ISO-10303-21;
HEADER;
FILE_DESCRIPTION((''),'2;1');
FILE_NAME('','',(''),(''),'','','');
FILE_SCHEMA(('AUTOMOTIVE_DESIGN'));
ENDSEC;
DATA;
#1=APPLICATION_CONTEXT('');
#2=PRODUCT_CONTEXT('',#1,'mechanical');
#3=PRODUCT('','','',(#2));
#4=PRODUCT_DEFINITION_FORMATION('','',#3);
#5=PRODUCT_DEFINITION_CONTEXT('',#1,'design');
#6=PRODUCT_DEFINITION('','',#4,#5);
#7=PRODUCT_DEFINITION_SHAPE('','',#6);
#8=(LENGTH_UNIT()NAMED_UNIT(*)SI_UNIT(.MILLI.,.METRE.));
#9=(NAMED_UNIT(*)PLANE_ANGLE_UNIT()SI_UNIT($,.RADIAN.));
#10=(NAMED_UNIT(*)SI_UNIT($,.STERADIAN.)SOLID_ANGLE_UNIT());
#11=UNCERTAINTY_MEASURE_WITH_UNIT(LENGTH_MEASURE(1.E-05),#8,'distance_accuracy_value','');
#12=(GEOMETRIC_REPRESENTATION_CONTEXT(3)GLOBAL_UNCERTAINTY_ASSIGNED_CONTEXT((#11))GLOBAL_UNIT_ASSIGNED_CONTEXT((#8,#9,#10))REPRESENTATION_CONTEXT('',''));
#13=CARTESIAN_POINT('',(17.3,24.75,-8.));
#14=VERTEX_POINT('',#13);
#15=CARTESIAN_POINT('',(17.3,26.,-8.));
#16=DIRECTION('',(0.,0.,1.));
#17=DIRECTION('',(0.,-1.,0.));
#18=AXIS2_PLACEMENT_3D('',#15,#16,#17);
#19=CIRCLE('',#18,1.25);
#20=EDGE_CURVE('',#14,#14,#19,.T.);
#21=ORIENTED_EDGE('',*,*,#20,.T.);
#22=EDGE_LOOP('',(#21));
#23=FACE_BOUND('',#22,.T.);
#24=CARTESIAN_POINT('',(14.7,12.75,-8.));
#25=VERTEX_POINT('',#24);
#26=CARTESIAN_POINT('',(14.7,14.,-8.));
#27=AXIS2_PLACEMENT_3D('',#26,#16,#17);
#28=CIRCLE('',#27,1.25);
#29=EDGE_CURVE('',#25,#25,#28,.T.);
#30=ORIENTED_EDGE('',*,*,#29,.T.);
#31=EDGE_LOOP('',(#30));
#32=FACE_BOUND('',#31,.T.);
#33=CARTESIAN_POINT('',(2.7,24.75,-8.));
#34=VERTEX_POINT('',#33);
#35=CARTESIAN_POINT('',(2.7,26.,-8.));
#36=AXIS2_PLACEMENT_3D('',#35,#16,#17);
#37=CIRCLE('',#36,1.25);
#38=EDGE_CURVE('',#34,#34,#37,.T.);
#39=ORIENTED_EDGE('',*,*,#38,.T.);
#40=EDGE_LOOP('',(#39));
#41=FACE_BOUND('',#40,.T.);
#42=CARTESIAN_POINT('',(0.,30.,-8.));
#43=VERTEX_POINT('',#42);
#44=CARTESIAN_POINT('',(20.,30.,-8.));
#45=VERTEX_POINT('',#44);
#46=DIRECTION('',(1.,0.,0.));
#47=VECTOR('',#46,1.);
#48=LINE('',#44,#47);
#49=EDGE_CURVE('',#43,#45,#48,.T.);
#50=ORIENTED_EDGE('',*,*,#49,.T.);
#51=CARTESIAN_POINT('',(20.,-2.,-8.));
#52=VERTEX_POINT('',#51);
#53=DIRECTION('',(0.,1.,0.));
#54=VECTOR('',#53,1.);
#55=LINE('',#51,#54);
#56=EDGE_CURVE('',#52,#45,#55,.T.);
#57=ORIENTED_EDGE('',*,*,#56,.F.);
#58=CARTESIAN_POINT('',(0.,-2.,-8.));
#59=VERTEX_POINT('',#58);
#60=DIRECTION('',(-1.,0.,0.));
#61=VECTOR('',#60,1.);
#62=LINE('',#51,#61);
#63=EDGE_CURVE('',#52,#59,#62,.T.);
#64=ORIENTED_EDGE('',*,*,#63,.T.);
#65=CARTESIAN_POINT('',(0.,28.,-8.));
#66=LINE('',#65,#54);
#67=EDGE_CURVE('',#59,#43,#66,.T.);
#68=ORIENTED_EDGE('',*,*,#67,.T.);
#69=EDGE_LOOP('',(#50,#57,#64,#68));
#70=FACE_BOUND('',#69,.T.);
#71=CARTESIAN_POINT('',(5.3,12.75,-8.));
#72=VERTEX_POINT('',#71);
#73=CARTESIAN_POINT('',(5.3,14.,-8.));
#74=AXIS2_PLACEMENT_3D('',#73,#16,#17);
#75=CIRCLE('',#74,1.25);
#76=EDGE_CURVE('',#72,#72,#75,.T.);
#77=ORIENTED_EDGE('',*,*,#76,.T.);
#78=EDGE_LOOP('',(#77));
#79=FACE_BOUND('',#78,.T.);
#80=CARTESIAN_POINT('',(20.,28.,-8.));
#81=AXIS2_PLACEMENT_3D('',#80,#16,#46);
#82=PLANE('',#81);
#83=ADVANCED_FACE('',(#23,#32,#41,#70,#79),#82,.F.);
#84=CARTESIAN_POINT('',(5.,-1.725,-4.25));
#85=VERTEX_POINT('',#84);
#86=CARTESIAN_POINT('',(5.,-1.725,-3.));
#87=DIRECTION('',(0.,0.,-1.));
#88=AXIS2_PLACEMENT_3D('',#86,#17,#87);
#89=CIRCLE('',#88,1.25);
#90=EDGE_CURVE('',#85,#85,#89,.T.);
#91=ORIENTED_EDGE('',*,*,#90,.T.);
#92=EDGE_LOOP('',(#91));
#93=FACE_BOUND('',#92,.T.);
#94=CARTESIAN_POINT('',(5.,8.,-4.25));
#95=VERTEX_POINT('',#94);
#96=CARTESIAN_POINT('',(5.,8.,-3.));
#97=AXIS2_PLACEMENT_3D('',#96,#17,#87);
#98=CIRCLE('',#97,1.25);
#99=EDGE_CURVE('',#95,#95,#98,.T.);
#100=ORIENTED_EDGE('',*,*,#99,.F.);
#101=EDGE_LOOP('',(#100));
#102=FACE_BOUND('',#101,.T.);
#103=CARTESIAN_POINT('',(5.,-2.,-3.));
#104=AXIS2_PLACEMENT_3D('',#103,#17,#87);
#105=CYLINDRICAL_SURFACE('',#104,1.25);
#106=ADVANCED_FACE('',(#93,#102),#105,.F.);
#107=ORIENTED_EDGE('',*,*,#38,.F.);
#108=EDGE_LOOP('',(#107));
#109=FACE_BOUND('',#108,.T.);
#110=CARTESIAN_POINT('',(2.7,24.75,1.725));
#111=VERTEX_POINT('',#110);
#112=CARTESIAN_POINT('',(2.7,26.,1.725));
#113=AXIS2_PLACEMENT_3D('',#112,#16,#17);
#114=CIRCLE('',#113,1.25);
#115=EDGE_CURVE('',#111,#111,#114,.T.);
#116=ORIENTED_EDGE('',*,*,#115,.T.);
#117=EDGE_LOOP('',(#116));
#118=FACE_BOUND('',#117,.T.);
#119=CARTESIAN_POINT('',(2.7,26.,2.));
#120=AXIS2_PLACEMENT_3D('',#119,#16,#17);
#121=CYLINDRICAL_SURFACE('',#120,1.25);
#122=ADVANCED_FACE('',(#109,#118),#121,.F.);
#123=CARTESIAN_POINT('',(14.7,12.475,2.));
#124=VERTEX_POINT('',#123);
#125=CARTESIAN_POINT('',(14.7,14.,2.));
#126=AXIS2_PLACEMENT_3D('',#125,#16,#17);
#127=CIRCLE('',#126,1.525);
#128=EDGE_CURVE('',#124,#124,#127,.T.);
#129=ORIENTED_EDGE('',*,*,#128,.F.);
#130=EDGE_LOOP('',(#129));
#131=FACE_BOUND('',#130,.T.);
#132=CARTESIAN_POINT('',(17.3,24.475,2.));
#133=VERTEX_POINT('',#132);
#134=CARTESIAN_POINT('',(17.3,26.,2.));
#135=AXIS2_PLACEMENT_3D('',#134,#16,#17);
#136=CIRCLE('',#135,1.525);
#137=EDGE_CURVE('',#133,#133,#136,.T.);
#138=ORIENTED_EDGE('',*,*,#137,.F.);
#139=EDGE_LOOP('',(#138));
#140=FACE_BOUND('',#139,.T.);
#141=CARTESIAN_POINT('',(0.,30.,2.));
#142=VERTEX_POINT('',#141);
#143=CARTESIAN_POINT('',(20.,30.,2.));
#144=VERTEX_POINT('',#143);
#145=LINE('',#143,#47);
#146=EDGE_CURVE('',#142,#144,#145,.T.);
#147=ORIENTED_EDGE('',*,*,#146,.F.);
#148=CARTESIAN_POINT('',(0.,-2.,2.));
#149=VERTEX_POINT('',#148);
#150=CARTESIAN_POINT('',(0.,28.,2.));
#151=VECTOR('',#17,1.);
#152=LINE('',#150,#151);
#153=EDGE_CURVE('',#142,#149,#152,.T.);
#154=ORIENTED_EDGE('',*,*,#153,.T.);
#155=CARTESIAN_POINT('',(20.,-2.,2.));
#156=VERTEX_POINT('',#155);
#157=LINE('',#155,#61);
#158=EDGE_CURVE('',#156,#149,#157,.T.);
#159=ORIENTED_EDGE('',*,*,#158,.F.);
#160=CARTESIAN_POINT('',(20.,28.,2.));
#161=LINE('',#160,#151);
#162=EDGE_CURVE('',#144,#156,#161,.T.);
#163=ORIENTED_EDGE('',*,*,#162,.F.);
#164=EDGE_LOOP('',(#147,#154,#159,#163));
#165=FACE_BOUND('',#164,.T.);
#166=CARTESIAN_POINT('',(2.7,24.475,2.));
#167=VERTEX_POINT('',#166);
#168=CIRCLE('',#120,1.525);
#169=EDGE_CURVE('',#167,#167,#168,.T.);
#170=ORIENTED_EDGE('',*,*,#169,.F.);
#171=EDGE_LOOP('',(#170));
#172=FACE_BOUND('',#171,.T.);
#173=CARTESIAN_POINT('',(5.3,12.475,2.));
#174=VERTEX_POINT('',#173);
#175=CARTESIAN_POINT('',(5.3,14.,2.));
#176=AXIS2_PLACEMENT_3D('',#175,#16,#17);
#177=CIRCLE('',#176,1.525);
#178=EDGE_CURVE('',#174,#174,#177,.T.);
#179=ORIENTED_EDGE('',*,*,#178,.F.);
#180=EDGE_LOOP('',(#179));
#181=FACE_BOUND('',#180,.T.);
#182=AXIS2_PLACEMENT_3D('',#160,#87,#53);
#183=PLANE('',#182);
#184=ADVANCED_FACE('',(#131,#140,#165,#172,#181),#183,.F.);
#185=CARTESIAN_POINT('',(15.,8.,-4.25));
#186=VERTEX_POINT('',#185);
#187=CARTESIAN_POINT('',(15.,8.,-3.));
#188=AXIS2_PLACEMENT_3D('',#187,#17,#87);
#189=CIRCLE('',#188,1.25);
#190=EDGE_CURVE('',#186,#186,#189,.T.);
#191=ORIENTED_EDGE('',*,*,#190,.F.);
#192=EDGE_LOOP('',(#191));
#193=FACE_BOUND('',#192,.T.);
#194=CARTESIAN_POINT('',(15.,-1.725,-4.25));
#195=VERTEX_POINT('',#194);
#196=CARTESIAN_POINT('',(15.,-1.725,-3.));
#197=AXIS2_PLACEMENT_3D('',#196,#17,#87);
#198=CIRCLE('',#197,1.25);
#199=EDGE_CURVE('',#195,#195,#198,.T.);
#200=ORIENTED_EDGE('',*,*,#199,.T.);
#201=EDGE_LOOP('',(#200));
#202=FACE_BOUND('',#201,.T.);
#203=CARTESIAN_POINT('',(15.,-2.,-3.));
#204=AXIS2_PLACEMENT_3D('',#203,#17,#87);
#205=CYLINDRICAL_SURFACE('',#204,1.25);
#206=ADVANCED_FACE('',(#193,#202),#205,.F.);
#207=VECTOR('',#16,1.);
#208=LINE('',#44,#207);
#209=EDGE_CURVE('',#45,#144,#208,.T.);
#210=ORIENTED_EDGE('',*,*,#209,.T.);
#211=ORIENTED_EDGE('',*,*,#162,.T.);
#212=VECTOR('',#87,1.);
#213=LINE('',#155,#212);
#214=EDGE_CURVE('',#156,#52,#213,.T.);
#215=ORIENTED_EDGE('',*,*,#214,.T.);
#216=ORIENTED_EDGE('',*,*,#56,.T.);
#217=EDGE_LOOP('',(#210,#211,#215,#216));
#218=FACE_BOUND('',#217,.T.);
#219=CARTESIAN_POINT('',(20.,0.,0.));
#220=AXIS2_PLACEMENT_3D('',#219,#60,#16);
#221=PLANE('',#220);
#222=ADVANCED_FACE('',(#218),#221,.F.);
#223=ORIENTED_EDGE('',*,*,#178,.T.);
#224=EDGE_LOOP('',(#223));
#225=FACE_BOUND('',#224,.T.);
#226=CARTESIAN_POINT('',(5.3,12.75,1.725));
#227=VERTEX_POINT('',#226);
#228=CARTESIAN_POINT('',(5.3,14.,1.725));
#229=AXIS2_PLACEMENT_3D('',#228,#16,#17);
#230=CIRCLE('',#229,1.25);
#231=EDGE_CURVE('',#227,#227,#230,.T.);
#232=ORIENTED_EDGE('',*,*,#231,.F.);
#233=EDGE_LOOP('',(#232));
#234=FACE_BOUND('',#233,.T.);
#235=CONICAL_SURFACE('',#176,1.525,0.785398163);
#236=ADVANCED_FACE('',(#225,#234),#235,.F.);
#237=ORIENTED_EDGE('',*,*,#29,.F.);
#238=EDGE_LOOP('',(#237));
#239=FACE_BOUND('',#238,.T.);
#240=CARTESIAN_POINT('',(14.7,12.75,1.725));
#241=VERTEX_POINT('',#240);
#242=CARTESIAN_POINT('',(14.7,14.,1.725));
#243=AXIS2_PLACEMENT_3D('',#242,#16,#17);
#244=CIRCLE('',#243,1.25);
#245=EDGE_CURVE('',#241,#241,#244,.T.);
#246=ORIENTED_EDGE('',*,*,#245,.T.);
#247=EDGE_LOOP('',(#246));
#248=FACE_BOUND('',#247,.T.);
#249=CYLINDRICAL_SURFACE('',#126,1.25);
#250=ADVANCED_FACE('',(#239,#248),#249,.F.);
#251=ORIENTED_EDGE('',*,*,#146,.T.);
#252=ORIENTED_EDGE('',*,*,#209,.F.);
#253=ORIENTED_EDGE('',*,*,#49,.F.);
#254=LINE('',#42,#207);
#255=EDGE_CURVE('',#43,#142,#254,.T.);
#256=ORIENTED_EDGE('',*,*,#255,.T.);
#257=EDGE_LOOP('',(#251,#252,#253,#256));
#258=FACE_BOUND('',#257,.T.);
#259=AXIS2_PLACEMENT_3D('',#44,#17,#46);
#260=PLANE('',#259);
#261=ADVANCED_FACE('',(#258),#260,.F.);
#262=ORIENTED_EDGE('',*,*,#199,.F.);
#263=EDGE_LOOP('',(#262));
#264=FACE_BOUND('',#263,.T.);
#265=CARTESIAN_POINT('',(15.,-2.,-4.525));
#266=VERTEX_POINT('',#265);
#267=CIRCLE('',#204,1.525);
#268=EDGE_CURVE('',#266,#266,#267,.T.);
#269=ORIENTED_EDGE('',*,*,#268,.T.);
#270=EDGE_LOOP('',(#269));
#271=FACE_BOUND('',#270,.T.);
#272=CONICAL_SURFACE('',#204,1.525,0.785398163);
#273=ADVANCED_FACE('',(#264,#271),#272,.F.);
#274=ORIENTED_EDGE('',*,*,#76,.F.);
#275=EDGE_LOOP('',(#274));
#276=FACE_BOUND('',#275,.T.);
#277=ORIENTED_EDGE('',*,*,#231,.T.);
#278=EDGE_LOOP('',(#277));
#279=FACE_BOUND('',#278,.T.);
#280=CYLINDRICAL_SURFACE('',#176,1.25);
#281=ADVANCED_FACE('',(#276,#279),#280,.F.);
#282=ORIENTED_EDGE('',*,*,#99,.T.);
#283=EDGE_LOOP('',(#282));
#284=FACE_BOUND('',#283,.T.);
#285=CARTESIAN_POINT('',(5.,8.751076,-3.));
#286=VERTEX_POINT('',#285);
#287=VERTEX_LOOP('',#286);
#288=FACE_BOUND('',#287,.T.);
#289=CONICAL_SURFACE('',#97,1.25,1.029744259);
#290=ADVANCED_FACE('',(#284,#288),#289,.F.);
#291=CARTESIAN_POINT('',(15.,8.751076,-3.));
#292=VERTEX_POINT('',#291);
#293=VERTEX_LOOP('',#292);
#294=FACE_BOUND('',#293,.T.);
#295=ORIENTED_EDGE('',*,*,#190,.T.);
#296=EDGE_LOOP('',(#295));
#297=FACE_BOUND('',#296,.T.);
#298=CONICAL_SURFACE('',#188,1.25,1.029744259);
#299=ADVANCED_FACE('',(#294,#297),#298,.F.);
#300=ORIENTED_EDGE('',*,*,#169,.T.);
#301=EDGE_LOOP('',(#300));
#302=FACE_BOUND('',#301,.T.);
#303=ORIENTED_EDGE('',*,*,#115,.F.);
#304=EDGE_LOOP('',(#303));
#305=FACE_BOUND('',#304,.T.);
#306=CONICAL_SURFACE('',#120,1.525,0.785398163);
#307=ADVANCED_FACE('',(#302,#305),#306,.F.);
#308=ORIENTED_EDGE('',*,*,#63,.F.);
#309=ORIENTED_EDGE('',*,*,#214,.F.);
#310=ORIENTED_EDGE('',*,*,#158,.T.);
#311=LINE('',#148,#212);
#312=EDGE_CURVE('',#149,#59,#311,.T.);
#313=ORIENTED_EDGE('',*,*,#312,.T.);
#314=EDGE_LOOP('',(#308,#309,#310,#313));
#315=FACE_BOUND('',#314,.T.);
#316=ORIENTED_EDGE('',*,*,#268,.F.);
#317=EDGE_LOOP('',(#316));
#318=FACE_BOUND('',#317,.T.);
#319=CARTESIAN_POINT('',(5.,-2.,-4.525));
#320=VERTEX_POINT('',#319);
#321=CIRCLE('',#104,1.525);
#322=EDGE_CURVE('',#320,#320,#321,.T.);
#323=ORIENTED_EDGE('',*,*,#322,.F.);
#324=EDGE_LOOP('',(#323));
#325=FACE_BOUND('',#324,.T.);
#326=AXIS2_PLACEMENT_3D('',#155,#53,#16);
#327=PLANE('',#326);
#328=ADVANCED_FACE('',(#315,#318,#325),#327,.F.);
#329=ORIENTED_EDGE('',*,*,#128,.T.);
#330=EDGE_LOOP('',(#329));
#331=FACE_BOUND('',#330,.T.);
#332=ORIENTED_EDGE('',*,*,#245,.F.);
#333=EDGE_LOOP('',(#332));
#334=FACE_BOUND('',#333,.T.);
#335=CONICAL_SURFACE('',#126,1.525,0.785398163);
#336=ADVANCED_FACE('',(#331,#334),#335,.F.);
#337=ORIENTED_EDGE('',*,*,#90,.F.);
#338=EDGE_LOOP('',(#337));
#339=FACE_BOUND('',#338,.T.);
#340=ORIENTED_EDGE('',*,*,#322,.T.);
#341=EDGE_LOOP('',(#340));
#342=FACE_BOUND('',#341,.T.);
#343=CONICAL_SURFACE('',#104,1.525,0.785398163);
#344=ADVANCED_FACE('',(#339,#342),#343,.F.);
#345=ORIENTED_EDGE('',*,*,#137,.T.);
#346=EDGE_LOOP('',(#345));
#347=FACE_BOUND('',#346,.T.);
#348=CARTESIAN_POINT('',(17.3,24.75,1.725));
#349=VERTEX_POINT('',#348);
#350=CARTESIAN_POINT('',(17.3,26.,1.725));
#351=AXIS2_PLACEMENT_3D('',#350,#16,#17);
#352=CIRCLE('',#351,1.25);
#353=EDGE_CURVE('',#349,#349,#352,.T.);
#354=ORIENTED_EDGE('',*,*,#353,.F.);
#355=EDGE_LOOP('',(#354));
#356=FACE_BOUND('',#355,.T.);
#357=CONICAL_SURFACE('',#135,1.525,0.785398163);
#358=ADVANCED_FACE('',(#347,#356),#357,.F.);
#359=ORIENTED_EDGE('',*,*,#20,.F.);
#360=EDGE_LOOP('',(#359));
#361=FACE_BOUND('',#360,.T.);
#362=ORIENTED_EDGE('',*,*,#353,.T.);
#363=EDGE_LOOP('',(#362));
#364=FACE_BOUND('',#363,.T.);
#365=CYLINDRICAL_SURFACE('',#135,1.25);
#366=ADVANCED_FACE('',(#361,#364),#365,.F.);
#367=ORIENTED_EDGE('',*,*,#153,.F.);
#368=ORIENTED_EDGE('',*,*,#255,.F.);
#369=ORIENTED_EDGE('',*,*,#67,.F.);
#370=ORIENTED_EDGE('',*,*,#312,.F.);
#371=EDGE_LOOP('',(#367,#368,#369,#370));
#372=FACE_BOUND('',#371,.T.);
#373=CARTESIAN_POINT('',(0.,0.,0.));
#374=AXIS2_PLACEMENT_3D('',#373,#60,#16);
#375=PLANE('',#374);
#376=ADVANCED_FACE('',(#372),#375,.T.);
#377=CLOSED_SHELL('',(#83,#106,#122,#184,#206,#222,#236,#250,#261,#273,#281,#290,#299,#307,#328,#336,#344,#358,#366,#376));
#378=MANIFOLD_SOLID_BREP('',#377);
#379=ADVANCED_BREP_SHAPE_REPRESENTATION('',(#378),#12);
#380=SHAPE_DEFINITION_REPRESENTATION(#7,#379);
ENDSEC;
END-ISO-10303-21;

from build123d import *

# Parameters (mm, degrees)
EXTRUDE_1_DEPTH              = 20
HOLE_WIZARD_M3_1_D           = 2.5
HOLE_WIZARD_M3_1_DEPTH       = 10
HOLE_WIZARD_M3_1_CSINK_D     = 3.05
HOLE_WIZARD_M3_1_CSINK_ANGLE = 90
HOLE_WIZARD_M3_1_TIP         = 0.751075774
HOLE_WIZARD_M3_2_D           = 2.5
HOLE_WIZARD_M3_2_CSINK_D     = 3.05
HOLE_WIZARD_M3_2_CSINK_ANGLE = 90
HOLE_WIZARD_M3_4_D           = 2.5
HOLE_WIZARD_M3_4_CSINK_D     = 3.05
HOLE_WIZARD_M3_4_CSINK_ANGLE = 90
SKETCH_9_W                   = 20
SKETCH_9_H                   = 3.237584756
EXTRUDE_2_DEPTH              = 2
SKETCH_12_W                  = 20
SKETCH_12_H                  = 11.028073375
CUT_EXTRUDE_1_DEPTH          = 39.223029707
SKETCH_13_W                  = 20
SKETCH_13_H                  = 8
EXTRUDE_3_DEPTH              = 2


with BuildPart() as part:
    # 草图1 → 凸台-拉伸1 (new body)
    with BuildSketch(Plane(origin=(0, 0, 0), x_dir=(0, 0, -1), z_dir=(1, 0, 0))):
        Polygon((0, 28), (-2, 28), (-2, -2), (8, -2), (8, 0), (8, 28), align=None)
    extrude(amount=EXTRUDE_1_DEPTH)

    # M3 螺纹孔1
    with Locations(Plane(origin=(5, -2, -3), x_dir=(0, 0, -1), z_dir=(0, -1, 0))):
        with Locations((0, 0), (0, 10)):
            CounterSinkHole(HOLE_WIZARD_M3_1_D / 2, HOLE_WIZARD_M3_1_CSINK_D / 2, depth=HOLE_WIZARD_M3_1_DEPTH, counter_sink_angle=HOLE_WIZARD_M3_1_CSINK_ANGLE)
            with Locations((0, 0, -(HOLE_WIZARD_M3_1_DEPTH + HOLE_WIZARD_M3_1_TIP / 2))):  # 118° drill point
                Cone(0, HOLE_WIZARD_M3_1_D / 2, HOLE_WIZARD_M3_1_TIP, mode=Mode.SUBTRACT)

    # M3 螺纹孔2 (through all)
    with Locations(Plane(origin=(14.7, 14, 2), x_dir=(0, 1, 0), z_dir=(0, 0, 1))):
        with Locations((0, 0), (12, 12)):
            CounterSinkHole(HOLE_WIZARD_M3_2_D / 2, HOLE_WIZARD_M3_2_CSINK_D / 2, counter_sink_angle=HOLE_WIZARD_M3_2_CSINK_ANGLE)

    # M3 螺纹孔4 (through all)
    with Locations(Plane(origin=(5.3, 14, 2), x_dir=(0, 1, 0), z_dir=(0, 0, 1))):
        with Locations((0, 0), (12, -12)):
            CounterSinkHole(HOLE_WIZARD_M3_4_D / 2, HOLE_WIZARD_M3_4_CSINK_D / 2, counter_sink_angle=HOLE_WIZARD_M3_4_CSINK_ANGLE)

    # 草图9 → 凸台-拉伸2 (add)
    with BuildSketch(Plane.XY.offset(2)):
        with Locations((10, 29.381207622)):
            Rectangle(SKETCH_9_W, SKETCH_9_H)
    extrude(amount=-EXTRUDE_2_DEPTH)

    # 草图12 → 切除-拉伸1 (cut, through all)
    with BuildSketch(Plane.XY.offset(2)):
        with Locations((10, 35.514036688)):
            Rectangle(SKETCH_12_W, SKETCH_12_H)
    extrude(amount=-CUT_EXTRUDE_1_DEPTH, mode=Mode.SUBTRACT)

    # 草图13 → 凸台-拉伸3 (add)
    with BuildSketch(Plane(origin=(0, 28, 0), x_dir=(1, 0, 0), z_dir=(0, 1, 0))):
        with Locations((10, 4)):
            Rectangle(SKETCH_13_W, SKETCH_13_H)
    extrude(amount=EXTRUDE_3_DEPTH)


solid = part.part
